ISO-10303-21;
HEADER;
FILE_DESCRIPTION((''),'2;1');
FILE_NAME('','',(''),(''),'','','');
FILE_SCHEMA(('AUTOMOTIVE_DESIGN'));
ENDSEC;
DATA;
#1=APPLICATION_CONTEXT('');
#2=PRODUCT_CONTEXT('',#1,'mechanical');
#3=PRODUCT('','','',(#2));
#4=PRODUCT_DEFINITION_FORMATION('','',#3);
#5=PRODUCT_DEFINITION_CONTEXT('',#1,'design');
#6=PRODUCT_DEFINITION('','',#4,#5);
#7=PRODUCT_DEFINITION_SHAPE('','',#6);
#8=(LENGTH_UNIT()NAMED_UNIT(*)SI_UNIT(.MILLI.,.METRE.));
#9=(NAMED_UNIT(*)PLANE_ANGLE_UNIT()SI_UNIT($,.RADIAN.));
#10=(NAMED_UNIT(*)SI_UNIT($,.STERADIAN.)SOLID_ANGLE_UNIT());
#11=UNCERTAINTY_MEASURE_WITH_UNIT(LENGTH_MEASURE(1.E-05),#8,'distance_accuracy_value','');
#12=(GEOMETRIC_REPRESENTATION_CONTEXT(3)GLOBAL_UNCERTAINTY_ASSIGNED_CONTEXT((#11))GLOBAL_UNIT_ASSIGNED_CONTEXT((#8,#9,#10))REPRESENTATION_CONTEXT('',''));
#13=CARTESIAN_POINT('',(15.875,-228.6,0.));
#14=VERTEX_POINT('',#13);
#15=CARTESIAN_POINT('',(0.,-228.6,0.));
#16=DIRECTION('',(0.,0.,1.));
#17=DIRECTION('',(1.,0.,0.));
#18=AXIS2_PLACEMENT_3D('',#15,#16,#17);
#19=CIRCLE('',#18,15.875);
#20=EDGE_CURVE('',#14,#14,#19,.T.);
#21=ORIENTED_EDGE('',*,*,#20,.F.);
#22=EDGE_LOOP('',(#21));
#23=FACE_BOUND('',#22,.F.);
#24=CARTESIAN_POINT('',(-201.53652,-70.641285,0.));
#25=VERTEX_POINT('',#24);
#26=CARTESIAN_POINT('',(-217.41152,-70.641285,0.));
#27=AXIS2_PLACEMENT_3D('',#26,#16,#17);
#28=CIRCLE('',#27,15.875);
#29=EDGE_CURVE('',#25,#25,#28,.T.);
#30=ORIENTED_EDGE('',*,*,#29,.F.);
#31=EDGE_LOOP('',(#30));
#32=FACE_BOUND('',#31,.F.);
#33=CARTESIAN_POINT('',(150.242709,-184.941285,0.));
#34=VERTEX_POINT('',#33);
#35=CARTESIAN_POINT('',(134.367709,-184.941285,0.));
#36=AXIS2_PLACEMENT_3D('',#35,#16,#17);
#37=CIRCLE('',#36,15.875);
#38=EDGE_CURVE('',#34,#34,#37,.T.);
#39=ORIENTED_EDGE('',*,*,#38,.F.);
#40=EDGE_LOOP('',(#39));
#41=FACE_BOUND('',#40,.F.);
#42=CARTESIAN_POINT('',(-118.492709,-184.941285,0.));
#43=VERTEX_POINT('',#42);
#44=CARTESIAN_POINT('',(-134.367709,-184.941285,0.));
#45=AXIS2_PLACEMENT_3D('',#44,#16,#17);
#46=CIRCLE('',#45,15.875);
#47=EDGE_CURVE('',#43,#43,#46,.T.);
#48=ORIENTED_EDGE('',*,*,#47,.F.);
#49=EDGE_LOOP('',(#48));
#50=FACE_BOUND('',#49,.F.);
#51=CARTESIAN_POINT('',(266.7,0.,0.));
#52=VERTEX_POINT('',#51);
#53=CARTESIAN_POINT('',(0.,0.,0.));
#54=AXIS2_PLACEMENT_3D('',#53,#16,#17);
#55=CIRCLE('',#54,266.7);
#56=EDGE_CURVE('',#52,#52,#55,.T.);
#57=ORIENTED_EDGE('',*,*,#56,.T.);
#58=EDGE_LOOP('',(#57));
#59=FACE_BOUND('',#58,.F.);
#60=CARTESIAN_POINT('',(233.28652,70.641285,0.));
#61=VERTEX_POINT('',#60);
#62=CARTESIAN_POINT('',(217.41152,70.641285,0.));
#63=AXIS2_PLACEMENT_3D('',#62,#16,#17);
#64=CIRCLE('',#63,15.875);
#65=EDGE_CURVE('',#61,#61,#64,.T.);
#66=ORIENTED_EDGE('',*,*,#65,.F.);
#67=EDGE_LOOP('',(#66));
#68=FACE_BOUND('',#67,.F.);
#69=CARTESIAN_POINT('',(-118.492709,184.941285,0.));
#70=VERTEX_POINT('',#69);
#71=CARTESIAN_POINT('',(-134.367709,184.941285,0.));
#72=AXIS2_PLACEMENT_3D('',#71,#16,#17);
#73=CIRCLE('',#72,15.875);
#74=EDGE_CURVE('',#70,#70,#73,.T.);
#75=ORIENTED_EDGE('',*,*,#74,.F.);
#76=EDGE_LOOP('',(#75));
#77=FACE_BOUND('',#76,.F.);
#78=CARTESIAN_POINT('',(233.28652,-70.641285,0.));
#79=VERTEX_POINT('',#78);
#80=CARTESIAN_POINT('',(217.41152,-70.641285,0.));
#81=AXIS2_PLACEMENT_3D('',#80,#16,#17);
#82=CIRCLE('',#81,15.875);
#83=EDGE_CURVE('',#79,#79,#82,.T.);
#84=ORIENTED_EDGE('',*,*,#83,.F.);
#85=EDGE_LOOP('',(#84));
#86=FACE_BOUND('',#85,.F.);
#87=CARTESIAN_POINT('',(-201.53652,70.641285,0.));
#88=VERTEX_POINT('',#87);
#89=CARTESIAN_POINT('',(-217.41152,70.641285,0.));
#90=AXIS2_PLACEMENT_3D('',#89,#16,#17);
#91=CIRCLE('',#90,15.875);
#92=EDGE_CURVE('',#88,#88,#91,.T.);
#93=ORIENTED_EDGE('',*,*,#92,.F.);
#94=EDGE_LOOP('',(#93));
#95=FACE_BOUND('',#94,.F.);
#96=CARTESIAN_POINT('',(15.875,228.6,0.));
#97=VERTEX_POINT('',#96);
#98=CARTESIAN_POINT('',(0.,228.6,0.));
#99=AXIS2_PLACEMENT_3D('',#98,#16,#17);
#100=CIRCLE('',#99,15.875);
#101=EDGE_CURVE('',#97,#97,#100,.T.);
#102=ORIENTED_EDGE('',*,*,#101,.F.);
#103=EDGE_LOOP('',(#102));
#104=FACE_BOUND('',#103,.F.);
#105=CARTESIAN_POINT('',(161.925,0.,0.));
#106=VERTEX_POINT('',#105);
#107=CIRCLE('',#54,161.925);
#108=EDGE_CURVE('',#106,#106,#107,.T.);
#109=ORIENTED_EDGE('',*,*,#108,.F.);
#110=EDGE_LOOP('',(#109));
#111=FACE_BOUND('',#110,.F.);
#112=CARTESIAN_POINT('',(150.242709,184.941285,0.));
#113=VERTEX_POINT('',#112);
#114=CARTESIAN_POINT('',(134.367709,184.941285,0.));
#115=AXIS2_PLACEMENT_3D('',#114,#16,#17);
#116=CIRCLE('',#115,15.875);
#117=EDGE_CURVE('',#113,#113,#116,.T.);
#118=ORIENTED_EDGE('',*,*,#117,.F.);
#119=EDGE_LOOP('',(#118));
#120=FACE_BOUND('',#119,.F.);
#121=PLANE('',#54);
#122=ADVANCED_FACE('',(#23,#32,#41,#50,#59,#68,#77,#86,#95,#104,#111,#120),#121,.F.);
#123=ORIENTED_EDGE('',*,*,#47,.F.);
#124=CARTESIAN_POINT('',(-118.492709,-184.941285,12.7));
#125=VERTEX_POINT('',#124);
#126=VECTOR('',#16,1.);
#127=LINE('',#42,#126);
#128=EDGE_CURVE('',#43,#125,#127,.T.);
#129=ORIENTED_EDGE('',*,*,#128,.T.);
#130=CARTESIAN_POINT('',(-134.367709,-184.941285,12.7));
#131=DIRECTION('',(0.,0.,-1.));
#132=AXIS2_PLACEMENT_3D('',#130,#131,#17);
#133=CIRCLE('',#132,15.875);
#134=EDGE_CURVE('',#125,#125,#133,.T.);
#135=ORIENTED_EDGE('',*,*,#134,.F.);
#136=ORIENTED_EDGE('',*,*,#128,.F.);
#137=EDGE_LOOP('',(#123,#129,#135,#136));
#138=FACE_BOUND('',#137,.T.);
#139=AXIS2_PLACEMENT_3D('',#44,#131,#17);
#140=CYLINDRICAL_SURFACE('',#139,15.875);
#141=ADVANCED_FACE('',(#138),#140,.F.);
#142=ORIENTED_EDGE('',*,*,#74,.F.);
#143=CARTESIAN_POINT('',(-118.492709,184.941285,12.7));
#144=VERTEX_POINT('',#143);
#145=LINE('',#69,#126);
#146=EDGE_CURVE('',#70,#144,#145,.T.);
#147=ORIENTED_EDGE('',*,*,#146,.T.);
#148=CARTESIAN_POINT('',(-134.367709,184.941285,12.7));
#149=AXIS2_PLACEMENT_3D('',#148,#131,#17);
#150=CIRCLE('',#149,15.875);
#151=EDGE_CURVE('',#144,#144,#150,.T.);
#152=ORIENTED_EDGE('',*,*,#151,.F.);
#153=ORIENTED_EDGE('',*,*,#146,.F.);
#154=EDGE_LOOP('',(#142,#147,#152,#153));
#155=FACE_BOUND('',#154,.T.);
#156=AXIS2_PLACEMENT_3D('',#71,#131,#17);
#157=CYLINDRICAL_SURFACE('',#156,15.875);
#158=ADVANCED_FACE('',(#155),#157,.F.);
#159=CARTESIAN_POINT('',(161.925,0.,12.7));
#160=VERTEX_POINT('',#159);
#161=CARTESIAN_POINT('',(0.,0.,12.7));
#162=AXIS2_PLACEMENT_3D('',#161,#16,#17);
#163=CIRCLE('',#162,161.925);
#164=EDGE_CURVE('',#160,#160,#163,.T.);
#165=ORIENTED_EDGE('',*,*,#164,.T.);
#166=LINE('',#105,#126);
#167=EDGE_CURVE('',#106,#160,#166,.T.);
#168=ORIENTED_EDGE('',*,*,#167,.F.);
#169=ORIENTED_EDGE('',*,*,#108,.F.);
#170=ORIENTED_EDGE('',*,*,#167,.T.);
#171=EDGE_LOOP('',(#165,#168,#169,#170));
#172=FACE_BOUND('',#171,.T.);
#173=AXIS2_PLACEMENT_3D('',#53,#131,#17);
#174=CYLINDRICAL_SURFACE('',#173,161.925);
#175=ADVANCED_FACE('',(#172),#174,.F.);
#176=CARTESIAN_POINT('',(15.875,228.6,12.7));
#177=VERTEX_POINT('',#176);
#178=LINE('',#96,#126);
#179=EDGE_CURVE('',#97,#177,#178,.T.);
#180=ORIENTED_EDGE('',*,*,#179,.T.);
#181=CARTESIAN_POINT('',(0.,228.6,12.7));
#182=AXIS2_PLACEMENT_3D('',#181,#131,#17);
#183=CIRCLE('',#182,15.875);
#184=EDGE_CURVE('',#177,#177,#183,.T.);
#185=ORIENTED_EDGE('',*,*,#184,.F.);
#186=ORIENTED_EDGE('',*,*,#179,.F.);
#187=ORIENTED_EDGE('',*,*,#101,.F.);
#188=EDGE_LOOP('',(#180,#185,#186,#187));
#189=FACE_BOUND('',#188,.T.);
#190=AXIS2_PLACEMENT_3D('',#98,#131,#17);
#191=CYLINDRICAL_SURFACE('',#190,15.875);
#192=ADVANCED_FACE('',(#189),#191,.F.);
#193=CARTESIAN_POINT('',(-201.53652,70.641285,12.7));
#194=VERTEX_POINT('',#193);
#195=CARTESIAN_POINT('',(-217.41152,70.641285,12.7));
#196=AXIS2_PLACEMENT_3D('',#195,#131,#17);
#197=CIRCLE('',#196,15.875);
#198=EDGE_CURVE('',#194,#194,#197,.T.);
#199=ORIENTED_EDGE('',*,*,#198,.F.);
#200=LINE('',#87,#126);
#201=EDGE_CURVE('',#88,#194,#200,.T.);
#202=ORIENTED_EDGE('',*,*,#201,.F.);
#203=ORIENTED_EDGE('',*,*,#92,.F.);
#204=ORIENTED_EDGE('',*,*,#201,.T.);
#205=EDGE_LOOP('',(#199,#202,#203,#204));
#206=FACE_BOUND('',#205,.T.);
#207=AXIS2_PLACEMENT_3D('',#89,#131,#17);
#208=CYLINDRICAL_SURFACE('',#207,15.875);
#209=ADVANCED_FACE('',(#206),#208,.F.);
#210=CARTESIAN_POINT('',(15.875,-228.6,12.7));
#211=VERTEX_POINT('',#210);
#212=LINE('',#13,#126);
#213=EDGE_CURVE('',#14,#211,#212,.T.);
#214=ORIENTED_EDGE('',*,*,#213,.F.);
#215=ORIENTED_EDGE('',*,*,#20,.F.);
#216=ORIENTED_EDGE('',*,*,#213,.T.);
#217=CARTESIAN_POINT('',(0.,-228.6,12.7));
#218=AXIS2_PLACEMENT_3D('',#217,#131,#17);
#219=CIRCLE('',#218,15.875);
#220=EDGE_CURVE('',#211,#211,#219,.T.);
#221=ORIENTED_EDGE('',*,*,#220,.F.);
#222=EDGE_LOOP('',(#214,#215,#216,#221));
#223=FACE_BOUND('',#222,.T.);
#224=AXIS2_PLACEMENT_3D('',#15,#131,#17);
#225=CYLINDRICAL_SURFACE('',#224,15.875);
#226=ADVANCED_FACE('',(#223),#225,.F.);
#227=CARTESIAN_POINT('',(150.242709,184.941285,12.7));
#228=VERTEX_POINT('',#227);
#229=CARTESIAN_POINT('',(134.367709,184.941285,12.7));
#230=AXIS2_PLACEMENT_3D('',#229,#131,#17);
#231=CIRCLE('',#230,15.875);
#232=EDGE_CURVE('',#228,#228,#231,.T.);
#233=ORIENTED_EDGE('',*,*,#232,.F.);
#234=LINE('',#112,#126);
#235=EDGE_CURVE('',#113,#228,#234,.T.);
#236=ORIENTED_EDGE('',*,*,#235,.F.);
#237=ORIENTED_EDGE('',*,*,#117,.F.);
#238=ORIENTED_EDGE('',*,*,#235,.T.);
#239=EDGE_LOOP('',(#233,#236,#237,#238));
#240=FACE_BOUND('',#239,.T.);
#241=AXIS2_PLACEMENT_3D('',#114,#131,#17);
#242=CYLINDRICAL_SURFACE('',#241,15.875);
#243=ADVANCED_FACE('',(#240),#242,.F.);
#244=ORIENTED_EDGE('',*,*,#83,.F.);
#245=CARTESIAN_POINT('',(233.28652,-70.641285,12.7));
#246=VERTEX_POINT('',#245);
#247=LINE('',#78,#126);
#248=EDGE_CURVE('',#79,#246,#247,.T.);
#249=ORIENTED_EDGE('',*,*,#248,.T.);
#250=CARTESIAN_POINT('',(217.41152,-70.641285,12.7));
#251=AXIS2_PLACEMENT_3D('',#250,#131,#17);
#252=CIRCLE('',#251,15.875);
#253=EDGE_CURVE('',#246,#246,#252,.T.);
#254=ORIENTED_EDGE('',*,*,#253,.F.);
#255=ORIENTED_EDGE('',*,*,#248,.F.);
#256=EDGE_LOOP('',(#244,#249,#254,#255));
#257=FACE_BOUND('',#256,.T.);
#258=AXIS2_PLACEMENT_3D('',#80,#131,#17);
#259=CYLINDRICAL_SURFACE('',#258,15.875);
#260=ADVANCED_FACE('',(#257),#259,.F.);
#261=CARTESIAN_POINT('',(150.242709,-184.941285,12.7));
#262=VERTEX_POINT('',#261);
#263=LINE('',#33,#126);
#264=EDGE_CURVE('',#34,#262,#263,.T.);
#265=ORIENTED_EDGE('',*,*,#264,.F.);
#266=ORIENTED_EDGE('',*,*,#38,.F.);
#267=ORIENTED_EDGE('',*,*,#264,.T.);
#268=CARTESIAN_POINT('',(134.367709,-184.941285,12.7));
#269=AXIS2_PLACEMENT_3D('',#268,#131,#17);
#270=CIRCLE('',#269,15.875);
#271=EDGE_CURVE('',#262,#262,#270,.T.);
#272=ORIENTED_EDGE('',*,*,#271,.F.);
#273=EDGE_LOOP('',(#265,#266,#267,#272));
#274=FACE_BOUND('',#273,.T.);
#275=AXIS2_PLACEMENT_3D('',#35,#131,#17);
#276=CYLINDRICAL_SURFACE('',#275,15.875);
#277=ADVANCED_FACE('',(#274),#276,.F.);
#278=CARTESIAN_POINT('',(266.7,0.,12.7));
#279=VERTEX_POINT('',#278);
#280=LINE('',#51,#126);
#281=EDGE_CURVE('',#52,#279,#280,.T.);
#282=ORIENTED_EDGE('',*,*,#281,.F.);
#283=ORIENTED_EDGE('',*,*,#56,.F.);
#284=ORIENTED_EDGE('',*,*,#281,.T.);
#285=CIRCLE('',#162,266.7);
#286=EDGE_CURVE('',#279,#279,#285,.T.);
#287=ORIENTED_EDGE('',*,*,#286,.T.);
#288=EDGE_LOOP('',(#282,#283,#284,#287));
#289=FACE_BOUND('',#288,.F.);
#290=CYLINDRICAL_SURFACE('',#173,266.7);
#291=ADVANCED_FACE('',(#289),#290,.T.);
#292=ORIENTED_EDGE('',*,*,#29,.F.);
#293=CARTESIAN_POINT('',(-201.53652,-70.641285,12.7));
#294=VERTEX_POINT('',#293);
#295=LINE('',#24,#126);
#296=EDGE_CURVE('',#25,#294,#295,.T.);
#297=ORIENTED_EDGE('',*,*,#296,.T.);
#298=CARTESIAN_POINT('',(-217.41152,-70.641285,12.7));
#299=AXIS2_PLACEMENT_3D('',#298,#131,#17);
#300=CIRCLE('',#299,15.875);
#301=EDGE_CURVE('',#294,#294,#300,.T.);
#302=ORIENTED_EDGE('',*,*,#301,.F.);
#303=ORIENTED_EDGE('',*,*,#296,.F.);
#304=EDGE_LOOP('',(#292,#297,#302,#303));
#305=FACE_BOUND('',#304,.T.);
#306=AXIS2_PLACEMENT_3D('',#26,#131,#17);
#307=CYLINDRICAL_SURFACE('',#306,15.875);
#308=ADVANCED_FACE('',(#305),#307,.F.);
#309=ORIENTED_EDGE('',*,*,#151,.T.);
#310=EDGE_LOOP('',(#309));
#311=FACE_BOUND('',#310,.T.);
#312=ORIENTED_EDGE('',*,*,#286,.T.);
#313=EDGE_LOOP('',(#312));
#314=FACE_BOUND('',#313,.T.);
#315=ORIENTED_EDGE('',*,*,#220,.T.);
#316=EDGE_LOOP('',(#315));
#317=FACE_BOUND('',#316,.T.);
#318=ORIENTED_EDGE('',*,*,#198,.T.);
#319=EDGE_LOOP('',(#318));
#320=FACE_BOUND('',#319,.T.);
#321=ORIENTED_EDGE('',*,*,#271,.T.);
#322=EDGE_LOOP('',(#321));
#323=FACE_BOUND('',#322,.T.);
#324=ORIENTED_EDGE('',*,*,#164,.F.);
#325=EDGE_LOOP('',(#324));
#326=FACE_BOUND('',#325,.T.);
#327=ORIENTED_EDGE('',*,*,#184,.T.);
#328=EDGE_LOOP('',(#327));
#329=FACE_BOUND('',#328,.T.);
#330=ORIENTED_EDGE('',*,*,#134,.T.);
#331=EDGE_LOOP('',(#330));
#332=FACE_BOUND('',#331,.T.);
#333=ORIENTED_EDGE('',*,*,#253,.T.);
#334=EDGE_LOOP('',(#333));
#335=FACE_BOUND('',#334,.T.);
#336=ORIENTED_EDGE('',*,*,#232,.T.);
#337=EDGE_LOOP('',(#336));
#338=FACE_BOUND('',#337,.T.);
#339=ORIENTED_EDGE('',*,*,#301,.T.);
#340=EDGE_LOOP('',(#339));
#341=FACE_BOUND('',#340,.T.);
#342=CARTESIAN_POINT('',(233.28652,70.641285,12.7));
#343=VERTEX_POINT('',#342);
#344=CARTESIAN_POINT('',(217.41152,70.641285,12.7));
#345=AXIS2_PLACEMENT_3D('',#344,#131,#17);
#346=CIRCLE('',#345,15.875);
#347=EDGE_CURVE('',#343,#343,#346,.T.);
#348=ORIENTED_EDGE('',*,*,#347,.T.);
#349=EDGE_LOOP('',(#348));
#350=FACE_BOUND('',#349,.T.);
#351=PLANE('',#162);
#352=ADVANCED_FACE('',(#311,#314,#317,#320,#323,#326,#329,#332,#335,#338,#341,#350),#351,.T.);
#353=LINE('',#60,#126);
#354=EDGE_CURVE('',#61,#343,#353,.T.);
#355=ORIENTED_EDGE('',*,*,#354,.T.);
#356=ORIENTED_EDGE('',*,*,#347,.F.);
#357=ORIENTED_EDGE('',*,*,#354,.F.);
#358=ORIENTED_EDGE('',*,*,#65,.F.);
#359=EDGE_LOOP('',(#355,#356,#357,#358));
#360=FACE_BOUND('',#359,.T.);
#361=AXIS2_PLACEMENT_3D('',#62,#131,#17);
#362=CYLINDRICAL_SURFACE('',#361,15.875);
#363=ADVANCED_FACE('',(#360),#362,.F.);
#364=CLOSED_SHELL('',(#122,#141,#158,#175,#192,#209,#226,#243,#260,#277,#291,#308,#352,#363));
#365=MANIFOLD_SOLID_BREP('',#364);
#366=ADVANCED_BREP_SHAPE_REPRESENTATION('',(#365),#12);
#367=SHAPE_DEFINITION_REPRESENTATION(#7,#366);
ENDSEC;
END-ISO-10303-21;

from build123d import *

# Parameters (mm, degrees)
F0_R     = 266.7
F0_R_2   = 161.925
F1_DEPTH = 12.7
F2_R     = 15.875
F3_DEPTH = 15.875


with BuildPart() as f1:
    # F0 (on Top) → F1 (new body)
    with BuildSketch(Plane.XY):
        Circle(F0_R)
        Circle(F0_R_2, mode=Mode.SUBTRACT)
    extrude(amount=F1_DEPTH)

    # F2 (on Top) → F3 (cut)
    with BuildSketch(Plane.XY):
        with Locations((0, 228.6)):
            Circle(F2_R)
        with Locations((-134.367709, 184.941285)):
            Circle(F2_R)
        with Locations((-217.41152, 70.641285)):
            Circle(F2_R)
        with Locations((-217.41152, -70.641285)):
            Circle(F2_R)
        with Locations((-134.367709, -184.941285)):
            Circle(F2_R)
        with Locations((0, -228.6)):
            Circle(F2_R)
        with Locations((134.367709, -184.941285)):
            Circle(F2_R)
        with Locations((217.41152, -70.641285)):
            Circle(F2_R)
        with Locations((217.41152, 70.641285)):
            Circle(F2_R)
        with Locations((134.367709, 184.941285)):
            Circle(F2_R)
    extrude(amount=F3_DEPTH, mode=Mode.SUBTRACT)


solid = f1.part
